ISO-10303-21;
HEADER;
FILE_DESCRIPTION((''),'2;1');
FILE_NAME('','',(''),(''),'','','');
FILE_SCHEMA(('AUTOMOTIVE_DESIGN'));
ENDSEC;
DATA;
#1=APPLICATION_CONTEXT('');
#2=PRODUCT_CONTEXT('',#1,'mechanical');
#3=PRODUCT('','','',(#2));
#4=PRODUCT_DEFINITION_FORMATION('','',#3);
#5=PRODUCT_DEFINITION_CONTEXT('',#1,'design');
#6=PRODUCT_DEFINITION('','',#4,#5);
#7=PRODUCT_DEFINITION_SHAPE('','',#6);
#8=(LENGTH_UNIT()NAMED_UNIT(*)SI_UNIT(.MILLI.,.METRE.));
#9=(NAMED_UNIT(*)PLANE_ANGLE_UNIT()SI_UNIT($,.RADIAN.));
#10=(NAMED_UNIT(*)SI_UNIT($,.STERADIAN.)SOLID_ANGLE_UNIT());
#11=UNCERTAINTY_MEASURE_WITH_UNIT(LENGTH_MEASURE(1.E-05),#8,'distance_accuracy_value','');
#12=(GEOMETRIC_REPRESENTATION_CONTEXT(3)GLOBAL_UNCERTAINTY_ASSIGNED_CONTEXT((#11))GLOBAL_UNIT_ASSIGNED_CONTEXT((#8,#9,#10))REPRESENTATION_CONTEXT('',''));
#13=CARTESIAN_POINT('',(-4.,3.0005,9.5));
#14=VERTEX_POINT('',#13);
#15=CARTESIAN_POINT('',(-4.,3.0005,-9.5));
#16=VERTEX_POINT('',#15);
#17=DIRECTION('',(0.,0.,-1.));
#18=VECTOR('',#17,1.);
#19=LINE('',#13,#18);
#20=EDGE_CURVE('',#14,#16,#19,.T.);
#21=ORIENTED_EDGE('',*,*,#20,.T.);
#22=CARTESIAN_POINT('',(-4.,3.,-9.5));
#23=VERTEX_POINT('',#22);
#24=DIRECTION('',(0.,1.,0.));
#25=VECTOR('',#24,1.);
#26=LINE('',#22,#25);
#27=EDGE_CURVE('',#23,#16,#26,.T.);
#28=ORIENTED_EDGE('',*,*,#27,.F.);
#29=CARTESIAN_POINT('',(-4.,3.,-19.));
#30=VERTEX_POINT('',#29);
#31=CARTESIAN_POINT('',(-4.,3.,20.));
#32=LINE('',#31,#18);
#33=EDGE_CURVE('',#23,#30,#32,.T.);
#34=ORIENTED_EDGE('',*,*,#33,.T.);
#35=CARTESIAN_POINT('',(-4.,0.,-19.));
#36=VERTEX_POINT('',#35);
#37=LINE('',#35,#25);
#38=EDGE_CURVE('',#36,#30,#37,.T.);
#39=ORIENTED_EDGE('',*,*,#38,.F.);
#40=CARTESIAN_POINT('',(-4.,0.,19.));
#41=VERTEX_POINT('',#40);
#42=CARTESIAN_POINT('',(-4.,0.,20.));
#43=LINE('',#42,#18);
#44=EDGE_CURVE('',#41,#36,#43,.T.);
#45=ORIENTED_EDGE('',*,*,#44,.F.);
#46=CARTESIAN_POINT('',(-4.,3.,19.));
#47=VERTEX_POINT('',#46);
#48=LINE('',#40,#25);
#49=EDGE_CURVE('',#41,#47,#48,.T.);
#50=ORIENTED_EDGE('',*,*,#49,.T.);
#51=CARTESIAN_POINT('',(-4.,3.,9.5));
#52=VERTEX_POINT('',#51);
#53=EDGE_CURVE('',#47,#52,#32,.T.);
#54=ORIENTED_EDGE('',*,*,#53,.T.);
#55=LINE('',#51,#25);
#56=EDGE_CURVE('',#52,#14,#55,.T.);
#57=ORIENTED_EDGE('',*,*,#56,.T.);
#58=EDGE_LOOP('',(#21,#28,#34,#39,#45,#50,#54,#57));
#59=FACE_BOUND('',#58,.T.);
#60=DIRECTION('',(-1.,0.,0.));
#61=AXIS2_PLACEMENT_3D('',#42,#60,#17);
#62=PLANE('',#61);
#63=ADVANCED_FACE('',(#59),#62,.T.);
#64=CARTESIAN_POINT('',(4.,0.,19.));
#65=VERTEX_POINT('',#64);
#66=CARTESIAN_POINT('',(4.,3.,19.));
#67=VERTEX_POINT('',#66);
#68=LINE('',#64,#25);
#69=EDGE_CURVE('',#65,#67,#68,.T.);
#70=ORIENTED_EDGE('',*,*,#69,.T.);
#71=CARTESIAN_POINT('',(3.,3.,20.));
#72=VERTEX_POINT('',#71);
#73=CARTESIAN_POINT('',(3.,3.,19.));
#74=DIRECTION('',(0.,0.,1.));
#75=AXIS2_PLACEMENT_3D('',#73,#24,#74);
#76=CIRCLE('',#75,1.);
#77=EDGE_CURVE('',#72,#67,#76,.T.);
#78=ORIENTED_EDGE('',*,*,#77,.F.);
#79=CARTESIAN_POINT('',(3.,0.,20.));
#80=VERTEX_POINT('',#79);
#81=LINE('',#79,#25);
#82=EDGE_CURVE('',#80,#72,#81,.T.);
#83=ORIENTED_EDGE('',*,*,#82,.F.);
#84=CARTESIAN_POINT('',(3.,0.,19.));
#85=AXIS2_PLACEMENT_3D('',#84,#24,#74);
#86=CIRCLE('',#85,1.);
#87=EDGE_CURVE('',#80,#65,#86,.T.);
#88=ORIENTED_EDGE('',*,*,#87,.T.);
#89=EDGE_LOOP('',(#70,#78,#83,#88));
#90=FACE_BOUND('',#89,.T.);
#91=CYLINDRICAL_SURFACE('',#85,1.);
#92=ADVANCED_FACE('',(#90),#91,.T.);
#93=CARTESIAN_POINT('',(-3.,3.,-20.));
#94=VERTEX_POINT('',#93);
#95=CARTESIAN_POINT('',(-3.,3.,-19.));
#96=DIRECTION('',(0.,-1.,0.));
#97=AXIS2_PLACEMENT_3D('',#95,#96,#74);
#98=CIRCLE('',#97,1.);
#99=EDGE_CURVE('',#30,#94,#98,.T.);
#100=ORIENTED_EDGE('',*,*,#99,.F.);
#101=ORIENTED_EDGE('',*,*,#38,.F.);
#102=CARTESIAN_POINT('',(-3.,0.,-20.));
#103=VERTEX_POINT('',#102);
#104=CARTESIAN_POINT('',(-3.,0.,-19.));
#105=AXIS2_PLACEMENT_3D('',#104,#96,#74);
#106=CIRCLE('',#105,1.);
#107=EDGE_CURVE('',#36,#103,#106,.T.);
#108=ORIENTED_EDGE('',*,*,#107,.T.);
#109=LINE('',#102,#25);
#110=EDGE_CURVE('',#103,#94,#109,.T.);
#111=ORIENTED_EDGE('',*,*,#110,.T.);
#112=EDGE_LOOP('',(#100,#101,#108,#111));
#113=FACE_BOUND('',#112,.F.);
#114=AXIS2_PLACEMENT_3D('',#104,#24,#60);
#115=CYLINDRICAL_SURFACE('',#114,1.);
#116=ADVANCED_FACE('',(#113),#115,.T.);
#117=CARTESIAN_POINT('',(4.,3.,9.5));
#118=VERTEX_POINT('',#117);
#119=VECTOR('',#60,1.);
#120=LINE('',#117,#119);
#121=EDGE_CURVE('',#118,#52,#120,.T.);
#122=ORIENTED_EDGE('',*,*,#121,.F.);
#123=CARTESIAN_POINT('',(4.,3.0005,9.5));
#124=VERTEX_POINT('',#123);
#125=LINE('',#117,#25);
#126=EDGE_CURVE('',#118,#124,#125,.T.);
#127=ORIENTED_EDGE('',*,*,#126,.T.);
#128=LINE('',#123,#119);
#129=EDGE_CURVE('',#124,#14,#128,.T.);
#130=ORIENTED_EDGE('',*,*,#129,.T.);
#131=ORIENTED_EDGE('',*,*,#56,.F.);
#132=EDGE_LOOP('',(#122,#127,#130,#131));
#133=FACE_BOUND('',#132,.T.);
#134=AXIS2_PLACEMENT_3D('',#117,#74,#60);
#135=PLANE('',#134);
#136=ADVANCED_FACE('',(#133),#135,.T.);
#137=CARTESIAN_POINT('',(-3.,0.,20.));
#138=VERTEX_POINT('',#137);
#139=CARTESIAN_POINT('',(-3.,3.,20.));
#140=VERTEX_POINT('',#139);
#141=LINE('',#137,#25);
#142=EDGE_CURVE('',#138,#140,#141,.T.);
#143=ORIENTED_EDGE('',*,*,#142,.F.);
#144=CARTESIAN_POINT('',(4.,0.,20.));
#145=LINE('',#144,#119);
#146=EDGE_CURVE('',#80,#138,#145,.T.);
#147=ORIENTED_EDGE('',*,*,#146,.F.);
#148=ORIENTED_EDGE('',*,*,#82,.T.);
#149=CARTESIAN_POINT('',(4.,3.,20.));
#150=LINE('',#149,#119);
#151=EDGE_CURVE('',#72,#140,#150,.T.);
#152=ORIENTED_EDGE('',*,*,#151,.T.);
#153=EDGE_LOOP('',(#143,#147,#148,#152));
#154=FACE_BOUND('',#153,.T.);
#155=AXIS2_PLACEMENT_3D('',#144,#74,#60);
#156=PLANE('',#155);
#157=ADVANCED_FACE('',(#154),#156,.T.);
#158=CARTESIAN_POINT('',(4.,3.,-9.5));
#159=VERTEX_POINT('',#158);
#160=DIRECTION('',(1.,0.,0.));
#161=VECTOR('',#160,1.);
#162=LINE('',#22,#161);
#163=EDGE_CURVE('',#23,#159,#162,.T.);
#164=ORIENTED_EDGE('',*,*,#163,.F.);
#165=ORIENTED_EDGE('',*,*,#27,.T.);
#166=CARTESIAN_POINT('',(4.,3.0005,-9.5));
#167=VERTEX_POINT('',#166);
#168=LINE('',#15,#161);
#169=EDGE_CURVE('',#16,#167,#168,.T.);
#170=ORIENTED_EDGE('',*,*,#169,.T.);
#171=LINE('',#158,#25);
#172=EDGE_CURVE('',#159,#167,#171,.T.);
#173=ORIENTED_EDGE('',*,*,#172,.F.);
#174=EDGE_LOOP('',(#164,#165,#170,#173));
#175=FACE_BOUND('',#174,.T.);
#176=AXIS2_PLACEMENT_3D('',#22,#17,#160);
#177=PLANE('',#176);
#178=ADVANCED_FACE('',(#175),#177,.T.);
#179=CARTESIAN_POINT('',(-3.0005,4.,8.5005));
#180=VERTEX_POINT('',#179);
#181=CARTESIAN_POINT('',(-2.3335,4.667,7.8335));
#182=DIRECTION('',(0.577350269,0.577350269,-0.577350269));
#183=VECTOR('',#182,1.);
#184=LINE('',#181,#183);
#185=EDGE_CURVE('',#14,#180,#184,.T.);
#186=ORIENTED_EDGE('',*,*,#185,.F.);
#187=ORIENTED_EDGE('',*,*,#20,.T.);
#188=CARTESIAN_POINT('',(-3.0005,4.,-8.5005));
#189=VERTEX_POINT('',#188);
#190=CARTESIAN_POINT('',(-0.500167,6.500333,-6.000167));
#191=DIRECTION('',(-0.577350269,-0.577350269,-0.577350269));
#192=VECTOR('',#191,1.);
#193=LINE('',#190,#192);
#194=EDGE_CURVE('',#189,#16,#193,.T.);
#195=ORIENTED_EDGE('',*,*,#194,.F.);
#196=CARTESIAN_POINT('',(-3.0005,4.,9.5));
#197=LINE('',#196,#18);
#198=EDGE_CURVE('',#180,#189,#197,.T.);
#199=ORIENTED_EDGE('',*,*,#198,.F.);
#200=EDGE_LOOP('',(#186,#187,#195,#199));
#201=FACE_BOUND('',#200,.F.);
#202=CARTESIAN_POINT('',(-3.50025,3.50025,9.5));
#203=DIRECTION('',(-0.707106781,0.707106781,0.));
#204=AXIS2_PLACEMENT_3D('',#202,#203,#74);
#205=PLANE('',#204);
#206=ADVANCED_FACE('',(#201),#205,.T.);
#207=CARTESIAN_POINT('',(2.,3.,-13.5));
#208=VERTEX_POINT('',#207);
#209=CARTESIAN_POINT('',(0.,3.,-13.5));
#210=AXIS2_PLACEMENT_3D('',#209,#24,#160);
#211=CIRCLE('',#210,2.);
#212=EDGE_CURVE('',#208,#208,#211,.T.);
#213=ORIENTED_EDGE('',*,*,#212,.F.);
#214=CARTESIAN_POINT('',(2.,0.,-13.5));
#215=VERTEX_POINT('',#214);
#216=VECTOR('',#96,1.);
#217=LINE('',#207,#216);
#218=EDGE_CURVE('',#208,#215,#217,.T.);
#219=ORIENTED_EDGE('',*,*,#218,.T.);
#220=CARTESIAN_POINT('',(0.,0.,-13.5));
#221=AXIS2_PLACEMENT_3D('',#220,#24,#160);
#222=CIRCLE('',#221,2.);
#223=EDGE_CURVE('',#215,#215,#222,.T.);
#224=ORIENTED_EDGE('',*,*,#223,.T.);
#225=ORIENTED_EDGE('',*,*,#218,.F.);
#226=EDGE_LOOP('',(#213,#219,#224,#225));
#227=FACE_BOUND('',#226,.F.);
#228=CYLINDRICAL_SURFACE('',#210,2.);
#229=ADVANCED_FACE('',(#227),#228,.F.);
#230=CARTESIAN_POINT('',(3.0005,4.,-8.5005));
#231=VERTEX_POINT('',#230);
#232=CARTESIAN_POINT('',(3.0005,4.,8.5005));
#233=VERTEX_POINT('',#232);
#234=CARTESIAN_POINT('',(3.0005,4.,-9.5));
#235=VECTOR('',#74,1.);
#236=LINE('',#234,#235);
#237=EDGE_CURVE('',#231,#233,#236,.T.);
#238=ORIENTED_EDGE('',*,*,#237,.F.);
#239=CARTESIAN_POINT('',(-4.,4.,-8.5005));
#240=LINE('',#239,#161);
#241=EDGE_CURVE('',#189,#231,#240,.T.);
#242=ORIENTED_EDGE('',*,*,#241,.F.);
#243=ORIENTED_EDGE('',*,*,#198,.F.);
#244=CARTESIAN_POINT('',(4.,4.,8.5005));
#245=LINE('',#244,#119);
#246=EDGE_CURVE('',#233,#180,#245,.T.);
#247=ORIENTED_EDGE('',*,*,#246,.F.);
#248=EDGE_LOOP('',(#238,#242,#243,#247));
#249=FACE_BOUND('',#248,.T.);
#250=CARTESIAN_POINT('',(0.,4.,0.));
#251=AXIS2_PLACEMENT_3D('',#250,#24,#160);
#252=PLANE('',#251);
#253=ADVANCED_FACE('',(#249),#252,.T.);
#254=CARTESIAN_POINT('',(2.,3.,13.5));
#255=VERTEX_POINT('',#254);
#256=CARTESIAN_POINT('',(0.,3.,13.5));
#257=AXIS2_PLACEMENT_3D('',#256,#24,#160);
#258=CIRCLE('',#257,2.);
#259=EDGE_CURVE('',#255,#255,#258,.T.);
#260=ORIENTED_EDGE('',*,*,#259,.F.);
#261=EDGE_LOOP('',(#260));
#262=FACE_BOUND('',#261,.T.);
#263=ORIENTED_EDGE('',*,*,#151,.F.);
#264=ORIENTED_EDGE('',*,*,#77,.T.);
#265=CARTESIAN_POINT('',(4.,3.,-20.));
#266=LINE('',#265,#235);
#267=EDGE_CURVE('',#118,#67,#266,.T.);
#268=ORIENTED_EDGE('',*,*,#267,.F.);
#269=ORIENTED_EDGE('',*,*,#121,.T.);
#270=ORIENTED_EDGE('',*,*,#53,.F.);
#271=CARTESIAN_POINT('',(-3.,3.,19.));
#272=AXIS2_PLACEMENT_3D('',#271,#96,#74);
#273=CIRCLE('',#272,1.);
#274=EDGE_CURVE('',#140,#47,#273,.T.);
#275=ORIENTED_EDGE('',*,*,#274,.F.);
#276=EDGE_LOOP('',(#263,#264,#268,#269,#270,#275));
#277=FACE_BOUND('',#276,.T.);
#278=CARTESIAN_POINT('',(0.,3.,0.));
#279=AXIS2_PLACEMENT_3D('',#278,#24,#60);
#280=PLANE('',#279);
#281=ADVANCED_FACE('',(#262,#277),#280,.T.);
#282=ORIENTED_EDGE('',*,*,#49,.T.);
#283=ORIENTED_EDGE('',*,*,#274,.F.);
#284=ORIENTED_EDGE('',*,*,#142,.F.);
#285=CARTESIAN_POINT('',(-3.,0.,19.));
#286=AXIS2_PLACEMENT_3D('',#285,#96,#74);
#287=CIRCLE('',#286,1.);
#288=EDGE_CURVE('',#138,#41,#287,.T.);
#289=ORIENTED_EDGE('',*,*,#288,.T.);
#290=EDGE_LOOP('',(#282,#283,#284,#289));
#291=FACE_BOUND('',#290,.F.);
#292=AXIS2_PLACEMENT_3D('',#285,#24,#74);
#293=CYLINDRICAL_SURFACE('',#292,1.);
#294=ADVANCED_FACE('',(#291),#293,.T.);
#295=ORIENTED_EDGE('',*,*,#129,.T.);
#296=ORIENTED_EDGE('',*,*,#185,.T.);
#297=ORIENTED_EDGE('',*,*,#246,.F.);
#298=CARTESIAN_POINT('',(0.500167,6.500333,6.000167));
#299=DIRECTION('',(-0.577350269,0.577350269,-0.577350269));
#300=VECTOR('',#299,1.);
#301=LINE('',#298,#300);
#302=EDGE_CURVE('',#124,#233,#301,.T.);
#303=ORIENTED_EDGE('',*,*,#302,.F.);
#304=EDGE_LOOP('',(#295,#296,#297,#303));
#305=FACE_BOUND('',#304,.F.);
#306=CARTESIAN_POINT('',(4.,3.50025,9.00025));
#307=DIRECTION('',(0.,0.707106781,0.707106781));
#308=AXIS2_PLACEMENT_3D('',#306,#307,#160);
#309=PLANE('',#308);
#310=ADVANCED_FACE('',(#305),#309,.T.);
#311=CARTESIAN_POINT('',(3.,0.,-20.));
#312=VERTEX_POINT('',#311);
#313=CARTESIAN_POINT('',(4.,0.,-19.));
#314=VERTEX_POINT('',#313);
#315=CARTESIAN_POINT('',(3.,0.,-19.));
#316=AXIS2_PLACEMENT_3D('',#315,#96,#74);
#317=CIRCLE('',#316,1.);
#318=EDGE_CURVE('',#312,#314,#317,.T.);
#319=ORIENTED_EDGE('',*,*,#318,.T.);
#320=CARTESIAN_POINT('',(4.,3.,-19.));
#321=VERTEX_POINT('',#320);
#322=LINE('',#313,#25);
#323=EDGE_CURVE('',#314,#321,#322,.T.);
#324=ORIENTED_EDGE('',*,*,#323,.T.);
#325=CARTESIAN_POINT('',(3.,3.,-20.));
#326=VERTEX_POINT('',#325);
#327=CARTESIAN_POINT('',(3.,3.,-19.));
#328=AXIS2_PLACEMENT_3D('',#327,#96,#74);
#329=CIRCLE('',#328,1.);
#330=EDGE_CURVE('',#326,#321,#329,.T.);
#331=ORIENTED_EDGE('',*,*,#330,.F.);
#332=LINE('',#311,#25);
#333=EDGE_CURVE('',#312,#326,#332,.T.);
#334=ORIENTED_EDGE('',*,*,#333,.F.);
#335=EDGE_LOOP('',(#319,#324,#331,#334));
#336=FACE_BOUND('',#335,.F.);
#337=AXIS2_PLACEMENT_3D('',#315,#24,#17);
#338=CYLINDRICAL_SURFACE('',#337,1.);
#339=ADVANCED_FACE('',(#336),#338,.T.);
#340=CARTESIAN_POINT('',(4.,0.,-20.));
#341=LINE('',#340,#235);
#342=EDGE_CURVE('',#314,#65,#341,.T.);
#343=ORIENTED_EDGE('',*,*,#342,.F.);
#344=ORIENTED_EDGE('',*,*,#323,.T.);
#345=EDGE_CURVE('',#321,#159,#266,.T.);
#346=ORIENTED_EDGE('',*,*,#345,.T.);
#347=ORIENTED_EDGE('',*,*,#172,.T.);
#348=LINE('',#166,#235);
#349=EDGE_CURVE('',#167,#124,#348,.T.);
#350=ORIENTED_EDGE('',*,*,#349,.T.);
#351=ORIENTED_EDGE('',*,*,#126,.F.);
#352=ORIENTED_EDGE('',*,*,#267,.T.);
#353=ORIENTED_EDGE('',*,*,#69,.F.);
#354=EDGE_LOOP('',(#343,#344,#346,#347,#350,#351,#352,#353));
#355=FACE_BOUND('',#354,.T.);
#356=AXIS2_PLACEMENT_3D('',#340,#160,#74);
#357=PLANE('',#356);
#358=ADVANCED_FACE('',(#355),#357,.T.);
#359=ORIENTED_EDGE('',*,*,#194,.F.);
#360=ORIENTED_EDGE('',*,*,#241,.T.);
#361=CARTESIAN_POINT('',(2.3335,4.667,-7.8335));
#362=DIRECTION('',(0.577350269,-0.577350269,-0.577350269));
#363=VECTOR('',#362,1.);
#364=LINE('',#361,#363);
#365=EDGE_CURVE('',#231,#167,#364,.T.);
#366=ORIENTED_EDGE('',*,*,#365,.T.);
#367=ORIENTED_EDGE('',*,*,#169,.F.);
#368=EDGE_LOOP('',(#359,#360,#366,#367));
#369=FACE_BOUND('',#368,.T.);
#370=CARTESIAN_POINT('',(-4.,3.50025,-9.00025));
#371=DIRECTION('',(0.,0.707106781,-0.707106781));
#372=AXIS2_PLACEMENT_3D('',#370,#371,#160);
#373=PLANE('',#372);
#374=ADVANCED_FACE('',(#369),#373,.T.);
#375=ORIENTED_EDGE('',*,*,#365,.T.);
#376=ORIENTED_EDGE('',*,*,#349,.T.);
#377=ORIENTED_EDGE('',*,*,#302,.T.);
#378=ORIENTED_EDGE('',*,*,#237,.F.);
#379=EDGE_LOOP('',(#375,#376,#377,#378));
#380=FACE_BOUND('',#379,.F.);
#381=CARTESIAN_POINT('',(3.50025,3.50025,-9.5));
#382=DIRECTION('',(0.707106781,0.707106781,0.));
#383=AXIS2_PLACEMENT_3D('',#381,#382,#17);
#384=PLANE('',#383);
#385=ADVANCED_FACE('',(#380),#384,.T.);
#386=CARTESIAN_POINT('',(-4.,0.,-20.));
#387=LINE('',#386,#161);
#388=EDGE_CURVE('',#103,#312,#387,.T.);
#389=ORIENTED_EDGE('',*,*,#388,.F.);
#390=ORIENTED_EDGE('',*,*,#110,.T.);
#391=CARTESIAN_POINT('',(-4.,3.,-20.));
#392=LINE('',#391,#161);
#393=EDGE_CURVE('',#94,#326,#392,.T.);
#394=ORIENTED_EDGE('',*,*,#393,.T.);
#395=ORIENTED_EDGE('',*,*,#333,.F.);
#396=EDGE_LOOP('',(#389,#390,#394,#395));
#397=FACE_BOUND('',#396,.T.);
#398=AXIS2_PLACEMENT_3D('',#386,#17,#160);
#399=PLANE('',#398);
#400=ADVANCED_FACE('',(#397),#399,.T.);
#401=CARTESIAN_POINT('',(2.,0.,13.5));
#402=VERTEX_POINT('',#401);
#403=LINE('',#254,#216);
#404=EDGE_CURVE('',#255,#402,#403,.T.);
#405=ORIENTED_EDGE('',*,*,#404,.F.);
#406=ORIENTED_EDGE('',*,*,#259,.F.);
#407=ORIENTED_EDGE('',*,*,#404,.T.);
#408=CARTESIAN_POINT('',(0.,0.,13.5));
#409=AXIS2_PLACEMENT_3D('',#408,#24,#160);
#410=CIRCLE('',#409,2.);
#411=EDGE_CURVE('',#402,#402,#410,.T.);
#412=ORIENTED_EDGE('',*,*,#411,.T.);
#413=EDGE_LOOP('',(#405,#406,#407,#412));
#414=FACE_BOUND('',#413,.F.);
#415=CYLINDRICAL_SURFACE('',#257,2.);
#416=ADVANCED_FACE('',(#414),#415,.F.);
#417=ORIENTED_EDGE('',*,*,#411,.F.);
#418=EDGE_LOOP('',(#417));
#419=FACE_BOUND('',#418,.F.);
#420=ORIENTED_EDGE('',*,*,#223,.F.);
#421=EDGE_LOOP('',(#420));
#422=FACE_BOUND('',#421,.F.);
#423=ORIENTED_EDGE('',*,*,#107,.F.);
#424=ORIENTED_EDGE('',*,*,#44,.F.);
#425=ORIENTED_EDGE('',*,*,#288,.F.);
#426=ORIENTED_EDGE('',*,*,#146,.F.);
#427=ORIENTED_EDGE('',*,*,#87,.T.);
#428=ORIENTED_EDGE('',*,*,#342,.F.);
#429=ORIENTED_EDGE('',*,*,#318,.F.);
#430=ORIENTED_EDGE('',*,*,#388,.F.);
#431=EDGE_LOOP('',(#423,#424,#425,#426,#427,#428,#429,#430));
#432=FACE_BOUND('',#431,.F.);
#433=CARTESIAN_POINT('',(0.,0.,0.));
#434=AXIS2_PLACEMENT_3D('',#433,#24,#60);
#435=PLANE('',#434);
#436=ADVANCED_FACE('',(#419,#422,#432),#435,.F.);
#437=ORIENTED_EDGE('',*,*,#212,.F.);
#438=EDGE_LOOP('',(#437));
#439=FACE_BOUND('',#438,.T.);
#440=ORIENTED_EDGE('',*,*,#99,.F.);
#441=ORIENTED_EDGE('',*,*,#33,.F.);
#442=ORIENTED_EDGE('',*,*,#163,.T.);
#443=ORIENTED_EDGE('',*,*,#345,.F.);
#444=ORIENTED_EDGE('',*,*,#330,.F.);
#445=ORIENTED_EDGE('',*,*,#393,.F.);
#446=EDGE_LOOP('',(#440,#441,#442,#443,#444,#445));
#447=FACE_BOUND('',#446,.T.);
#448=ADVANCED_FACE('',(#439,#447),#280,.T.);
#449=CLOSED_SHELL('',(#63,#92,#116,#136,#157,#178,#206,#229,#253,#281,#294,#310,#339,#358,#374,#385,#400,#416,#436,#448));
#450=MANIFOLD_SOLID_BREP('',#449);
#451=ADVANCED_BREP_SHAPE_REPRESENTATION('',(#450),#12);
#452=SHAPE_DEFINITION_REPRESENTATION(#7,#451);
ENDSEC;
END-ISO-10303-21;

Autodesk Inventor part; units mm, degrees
ref_plane "YZ Plane" through (0, 0, 0) normal (1, 0, 0) x (0, 1, 0)
ref_plane "XZ Plane" through (0, 0, 0) normal (0, 1, 0) x (-1, 0, 0)
ref_plane "XY Plane" through (0, 0, 0) normal (0, 0, 1) x (1, 0, 0)
sketch "Sketch1" plane through (0, 0, 0) normal (0, 1, 0) x (-1, 0, 0)
  line L0 (-4, 20) -> (4, 20)
  line L1 (4, 20) -> (4, -20)
  line L2 (4, -20) -> (-4, -20)
  line L3 (-4, -20) -> (-4, 20)
  line L4 (-4, 20) -> (4, -20) construction
  line L5 (4, 20) -> (-4, -20) construction
  point P0 (0, 0)
  dimension "d0" = 8
  dimension "d1" = 40
extrude "Extrusion1" add sketch "Sketch1" along normal blind 3
fillet "Fillet1" radius 1 4 edges at (4, 1.5, 20) (-4, 1.5, 20) (4, 1.5, -20) (-4, 1.5, -20)
sketch "Sketch2" plane through (0, 3, 0) normal (0, 1, 0) x (1, 0, 0)
  line L0 (0, 0) -> (0, -13.5) construction
  line L1 (0, 0) -> (0, 13.5) construction
  circle A0 centre (0, -13.5) radius 2
  circle A1 centre (0, 13.5) radius 2
  dimension "d5" = 13.5
  dimension "d6" = 13.5
  dimension "d7" = 4
  dimension "d8" = 4
extrude "Extrusion2" cut sketch "Sketch2" against normal up to surface (3 mm away)
sketch "Sketch3" plane through (0, 3, 0) normal (0, 1, 0) x (1, 0, 0)
  line L0 (-4, 9.5) -> (4, 9.5)
  line L1 (4, 9.5) -> (4, -9.5)
  line L2 (4, -9.5) -> (-4, -9.5)
  line L3 (-4, -9.5) -> (-4, 9.5)
  line L4 (-4, 9.5) -> (4, -9.5) construction
  line L5 (4, 9.5) -> (-4, -9.5) construction
  point P0 (0, 0)
  dimension "d11" = 8
  dimension "d12" = 19
extrude "Extrusion3" add sketch "Sketch3" along normal blind 1
chamfer "Chamfer1" distance 1 angle 45 4 edges at (0, 4, 9.5) (0, 4, -9.5) (4, 4, 0) (-4, 4, 0)
properties part number "load_cell"
